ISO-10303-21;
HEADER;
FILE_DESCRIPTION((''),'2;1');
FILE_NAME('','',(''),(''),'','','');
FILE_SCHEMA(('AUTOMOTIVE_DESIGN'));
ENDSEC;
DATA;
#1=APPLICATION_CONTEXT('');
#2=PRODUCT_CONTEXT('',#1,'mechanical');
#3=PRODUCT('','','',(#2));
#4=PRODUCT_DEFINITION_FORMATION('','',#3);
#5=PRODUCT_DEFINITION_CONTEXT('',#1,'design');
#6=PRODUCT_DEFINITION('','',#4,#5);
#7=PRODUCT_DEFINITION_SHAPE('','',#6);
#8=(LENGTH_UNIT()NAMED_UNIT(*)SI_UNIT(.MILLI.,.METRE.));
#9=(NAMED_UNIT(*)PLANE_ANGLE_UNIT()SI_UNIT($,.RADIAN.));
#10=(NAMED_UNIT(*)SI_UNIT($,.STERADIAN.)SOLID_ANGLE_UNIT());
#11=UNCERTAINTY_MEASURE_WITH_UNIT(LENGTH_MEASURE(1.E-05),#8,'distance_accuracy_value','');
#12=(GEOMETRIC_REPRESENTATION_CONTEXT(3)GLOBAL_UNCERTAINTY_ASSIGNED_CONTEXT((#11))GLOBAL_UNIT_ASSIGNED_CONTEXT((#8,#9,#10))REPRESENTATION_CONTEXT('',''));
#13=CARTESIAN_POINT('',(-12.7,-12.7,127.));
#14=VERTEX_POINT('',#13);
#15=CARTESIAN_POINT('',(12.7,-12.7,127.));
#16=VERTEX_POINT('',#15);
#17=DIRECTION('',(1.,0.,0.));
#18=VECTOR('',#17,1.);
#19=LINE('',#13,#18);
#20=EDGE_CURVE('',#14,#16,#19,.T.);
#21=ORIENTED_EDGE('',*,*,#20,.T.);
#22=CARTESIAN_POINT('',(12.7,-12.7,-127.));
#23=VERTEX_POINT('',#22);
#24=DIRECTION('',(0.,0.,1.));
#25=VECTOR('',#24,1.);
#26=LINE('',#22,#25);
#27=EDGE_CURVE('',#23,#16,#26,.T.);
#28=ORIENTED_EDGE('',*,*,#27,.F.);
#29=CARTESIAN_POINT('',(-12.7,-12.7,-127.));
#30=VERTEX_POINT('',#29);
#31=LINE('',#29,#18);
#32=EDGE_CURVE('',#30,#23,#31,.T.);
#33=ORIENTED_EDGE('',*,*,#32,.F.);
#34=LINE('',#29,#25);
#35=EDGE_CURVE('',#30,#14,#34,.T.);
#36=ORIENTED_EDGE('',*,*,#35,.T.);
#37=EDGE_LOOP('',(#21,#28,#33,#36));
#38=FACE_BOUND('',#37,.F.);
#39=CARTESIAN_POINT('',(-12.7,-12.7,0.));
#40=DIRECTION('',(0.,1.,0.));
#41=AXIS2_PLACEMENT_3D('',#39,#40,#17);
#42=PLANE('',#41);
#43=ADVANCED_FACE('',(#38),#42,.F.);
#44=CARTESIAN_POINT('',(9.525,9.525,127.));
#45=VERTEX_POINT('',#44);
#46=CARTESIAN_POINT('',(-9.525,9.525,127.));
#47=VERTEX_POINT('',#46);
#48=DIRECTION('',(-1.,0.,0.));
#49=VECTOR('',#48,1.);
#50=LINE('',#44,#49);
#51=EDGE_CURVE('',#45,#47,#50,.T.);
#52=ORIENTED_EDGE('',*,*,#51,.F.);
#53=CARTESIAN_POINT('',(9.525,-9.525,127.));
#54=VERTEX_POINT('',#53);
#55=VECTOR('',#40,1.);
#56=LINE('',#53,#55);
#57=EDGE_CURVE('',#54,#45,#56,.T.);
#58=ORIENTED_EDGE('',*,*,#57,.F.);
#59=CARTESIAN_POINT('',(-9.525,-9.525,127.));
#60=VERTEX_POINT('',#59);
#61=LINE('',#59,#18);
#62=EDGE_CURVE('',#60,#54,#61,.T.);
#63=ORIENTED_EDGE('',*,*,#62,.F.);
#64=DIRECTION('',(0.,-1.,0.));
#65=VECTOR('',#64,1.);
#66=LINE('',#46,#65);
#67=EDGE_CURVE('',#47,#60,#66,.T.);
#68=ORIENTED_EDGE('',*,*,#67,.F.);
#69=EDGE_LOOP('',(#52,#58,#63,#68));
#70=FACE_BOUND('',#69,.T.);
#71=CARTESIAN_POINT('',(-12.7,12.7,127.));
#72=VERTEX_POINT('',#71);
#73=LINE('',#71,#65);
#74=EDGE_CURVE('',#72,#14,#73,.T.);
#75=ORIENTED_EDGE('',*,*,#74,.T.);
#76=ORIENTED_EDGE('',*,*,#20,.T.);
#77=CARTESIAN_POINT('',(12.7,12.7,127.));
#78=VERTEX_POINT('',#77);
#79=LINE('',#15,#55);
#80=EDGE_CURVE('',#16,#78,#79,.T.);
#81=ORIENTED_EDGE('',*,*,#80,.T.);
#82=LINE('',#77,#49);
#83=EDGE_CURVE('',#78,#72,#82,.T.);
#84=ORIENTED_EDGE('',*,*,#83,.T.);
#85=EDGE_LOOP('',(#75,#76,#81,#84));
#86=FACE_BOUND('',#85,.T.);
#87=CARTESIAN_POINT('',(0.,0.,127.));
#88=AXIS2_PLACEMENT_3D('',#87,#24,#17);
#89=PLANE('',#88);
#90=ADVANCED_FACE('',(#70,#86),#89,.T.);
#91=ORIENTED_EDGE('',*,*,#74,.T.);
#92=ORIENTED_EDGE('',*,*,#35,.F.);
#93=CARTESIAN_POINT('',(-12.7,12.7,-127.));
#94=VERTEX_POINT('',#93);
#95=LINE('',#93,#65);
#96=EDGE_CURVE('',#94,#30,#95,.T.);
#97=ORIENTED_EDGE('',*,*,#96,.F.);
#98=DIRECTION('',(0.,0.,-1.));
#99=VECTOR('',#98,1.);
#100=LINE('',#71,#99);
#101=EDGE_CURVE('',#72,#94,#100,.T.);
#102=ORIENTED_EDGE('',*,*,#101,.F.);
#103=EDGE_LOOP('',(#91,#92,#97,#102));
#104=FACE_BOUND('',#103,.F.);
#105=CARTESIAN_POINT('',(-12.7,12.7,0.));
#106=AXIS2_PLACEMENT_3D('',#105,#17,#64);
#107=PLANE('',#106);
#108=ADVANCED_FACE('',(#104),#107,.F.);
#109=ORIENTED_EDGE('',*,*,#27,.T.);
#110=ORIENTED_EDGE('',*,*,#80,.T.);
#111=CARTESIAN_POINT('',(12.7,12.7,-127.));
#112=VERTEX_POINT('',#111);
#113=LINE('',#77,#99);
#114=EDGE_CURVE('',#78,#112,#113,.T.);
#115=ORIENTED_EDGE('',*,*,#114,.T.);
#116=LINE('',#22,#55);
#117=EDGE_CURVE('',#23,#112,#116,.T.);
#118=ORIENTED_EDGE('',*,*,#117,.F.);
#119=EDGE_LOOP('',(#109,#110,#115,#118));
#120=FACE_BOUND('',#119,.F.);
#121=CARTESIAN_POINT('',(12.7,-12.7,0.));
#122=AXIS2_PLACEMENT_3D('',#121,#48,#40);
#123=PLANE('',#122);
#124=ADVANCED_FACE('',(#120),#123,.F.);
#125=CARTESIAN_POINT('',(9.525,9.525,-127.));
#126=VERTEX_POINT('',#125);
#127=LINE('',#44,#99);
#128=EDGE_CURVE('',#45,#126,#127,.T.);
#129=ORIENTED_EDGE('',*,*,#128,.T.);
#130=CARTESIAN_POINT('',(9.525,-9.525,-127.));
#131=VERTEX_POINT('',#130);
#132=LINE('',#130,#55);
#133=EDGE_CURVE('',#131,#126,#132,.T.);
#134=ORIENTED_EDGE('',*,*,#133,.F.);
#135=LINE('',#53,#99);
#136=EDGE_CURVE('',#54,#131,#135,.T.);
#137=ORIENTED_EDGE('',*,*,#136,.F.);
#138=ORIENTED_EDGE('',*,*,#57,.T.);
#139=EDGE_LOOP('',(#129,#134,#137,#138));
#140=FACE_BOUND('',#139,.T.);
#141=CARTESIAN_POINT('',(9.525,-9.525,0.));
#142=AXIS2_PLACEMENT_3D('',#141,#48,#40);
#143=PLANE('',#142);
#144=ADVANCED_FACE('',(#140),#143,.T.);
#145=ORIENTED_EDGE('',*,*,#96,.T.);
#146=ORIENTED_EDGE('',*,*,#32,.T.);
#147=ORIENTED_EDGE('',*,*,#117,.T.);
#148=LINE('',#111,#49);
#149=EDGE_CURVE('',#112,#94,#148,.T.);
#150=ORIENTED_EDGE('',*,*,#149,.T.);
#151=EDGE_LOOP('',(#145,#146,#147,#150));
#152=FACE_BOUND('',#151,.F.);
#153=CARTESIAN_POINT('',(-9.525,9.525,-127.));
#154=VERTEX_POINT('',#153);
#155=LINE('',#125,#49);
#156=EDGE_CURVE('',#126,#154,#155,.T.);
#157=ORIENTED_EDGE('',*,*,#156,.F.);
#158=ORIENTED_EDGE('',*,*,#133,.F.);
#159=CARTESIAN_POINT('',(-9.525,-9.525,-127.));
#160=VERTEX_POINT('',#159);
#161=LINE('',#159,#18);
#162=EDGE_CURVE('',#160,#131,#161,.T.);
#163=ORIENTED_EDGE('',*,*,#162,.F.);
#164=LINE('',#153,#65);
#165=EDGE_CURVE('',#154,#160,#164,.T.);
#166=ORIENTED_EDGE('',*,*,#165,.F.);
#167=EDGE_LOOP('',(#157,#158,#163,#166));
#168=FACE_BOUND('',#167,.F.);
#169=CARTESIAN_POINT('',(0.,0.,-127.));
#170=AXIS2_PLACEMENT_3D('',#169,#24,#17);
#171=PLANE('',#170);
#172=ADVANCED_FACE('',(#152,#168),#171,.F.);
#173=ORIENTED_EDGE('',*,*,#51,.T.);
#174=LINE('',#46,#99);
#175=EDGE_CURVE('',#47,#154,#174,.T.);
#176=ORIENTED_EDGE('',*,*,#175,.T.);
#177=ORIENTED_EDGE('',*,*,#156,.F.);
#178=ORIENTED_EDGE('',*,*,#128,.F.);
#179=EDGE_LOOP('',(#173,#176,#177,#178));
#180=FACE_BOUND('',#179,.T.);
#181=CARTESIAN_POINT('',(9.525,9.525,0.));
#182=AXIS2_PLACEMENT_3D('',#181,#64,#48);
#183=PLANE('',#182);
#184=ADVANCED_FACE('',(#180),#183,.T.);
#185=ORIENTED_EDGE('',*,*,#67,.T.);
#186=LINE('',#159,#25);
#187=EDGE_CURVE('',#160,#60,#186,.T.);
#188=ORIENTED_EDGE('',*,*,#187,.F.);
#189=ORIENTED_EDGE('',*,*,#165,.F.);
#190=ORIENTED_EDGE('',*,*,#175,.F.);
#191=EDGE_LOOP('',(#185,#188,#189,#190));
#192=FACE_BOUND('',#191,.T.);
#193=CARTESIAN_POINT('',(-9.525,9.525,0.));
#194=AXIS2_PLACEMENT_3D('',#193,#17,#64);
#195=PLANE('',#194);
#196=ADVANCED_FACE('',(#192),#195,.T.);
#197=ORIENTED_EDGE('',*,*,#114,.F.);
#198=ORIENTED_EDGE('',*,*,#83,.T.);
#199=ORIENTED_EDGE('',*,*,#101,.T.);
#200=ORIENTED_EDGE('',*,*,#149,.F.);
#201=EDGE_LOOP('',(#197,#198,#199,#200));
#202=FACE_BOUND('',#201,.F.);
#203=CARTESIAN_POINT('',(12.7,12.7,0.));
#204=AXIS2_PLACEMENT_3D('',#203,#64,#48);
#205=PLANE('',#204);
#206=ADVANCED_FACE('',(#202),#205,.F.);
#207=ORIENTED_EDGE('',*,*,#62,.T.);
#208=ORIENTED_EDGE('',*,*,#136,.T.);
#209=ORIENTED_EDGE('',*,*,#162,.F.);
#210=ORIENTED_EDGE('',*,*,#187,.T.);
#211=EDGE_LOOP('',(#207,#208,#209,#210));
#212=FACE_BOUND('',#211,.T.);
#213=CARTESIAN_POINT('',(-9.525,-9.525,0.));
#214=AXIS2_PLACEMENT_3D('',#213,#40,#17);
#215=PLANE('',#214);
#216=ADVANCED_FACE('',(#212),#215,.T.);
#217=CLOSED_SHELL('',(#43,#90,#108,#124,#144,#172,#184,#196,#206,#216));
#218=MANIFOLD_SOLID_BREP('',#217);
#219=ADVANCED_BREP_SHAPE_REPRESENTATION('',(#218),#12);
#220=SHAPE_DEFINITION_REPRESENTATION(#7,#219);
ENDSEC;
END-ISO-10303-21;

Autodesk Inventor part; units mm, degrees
ref_plane "YZ Plane" through (0, 0, 0) normal (1, 0, 0) x (0, 1, 0)
ref_plane "XZ Plane" through (0, 0, 0) normal (0, 1, 0) x (-1, 0, 0)
ref_plane "XY Plane" through (0, 0, 0) normal (0, 0, 1) x (1, 0, 0)
sketch "Sketch1" plane through (0, 0, 0) normal (0, 0, 1) x (1, 0, 0)
  line L0 (-12.7, -12.7) -> (12.7, -12.7)
  line L1 (12.7, -12.7) -> (12.7, 12.7)
  line L2 (12.7, 12.7) -> (-12.7, 12.7)
  line L3 (-12.7, 12.7) -> (-12.7, -12.7)
  line L4 (-12.7, -12.7) -> (12.7, 12.7) construction
  line L5 (12.7, -12.7) -> (-12.7, 12.7) construction
  line L6 (-9.525, -9.525) -> (9.525, -9.525)
  line L7 (9.525, -9.525) -> (9.525, 9.525)
  line L8 (9.525, 9.525) -> (-9.525, 9.525)
  line L9 (-9.525, 9.525) -> (-9.525, -9.525)
  line L10 (-9.525, -9.525) -> (9.525, 9.525) construction
  line L11 (9.525, -9.525) -> (-9.525, 9.525) construction
  point P0 (0, 0)
  dimension "d0" = 25.4
  dimension "d1" = 25.4
  dimension "d2" = 3.175
  dimension "d3" = 3.175
extrude "Extrusion1" add sketch "Sketch1" along normal mid plane 254
properties part number "10-inchAluminumTubing"
